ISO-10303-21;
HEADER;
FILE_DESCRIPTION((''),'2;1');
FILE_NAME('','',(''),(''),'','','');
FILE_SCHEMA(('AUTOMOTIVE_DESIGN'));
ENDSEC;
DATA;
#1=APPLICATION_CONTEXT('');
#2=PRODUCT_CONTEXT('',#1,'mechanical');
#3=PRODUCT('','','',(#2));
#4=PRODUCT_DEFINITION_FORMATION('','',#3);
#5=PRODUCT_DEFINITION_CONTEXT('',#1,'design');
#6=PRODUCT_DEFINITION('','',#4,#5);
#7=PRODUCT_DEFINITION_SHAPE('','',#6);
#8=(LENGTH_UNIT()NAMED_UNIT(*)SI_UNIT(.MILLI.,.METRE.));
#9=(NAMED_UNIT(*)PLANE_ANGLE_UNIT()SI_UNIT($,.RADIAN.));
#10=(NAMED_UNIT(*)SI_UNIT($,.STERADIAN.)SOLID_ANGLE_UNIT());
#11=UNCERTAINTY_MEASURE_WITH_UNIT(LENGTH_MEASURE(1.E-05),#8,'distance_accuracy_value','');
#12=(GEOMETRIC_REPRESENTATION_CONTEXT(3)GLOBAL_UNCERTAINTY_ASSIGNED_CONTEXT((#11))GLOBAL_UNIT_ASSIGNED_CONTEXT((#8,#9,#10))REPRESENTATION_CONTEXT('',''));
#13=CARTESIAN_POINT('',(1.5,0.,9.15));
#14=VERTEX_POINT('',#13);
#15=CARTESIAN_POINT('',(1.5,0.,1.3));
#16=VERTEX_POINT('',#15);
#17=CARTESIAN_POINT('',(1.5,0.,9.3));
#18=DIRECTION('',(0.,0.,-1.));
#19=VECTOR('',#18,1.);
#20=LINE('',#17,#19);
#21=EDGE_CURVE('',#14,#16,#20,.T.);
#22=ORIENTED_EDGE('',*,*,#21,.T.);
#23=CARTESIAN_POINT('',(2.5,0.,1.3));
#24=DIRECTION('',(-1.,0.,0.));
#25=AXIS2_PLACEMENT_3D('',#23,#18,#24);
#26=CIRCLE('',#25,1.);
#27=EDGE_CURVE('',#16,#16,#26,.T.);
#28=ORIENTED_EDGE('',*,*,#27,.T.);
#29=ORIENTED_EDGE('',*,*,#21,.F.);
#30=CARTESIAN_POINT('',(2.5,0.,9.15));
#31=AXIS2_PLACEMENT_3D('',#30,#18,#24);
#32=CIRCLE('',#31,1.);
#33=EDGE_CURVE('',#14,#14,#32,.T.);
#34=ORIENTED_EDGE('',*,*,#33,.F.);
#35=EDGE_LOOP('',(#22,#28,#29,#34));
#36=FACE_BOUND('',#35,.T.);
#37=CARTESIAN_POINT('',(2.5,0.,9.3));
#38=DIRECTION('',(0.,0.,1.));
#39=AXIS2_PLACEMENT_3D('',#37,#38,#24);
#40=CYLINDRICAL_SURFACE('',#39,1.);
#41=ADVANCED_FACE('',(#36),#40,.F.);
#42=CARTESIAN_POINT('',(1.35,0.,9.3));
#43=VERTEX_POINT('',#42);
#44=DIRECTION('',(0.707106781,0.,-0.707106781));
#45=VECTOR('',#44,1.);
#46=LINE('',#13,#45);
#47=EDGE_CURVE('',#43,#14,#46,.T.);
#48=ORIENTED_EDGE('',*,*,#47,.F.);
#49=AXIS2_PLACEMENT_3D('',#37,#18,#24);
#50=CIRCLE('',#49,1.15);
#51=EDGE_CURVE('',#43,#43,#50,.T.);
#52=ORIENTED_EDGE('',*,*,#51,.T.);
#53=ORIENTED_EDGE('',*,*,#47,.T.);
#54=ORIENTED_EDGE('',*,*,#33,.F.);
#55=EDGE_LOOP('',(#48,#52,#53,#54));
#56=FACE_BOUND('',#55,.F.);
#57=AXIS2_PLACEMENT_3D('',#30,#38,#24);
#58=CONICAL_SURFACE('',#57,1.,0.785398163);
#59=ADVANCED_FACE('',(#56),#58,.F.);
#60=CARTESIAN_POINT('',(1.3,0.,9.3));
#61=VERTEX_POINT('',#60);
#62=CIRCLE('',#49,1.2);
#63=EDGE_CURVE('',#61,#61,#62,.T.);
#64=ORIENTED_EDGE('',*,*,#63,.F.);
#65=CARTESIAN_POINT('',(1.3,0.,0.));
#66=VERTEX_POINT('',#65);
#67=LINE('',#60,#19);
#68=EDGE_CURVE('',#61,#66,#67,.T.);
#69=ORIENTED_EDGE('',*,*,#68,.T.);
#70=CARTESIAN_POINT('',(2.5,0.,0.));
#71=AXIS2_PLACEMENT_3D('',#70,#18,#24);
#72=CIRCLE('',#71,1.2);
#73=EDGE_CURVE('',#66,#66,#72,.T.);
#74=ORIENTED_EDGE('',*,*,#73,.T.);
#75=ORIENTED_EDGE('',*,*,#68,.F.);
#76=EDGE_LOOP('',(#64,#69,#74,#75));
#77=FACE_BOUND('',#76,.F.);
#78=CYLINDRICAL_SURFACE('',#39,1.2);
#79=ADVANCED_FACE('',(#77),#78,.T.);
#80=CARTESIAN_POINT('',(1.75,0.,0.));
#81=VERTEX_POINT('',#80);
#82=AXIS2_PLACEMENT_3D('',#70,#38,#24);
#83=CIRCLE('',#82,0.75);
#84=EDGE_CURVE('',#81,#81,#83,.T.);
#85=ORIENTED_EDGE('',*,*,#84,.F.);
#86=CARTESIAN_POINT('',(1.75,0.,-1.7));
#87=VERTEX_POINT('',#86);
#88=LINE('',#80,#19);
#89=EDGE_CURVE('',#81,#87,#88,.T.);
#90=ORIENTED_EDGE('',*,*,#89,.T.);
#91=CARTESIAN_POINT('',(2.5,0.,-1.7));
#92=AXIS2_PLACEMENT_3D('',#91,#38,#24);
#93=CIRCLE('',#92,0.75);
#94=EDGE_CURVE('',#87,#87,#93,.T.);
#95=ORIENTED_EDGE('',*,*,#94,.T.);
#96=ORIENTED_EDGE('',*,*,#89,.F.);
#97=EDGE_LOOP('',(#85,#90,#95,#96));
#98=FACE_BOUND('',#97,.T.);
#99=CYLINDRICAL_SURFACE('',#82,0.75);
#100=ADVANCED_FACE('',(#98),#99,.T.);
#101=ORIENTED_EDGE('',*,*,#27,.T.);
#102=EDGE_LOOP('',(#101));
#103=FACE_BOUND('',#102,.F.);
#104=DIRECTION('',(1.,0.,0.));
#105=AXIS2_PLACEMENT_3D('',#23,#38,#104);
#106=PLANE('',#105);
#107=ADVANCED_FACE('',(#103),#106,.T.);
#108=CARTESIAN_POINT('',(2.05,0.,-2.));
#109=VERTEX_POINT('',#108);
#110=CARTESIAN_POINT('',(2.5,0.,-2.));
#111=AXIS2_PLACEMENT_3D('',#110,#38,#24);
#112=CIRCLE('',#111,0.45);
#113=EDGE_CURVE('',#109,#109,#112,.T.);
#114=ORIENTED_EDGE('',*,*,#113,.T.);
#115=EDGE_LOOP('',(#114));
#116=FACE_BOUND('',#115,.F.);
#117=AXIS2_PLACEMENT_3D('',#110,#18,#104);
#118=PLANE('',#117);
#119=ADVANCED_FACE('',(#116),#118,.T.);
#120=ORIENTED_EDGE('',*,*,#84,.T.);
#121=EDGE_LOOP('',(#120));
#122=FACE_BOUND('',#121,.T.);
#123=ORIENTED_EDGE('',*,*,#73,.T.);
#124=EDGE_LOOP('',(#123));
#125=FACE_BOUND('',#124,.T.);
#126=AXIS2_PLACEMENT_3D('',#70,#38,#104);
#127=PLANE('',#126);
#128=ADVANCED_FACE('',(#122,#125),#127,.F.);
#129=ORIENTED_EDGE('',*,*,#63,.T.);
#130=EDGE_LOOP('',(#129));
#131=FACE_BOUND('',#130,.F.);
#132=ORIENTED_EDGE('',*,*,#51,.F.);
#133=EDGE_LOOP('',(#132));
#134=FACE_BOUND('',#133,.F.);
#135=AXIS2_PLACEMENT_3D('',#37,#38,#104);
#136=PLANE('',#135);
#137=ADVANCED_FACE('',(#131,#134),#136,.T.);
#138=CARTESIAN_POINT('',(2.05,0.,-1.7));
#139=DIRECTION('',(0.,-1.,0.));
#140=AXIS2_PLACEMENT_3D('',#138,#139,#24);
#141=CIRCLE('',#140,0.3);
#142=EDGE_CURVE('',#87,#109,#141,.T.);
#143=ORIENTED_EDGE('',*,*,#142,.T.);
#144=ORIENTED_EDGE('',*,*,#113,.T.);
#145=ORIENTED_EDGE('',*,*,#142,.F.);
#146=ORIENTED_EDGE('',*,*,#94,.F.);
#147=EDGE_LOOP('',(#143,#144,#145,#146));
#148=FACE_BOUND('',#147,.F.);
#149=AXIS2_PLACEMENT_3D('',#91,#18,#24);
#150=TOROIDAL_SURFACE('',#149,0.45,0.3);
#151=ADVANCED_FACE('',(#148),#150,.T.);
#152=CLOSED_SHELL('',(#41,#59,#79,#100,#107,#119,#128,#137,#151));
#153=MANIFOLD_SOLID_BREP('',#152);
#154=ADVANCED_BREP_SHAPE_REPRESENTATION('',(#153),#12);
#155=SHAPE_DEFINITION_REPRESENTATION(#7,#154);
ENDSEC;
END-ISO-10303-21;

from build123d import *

# Parameters (mm, degrees)
SKETCH011_R      = 1
EXTRUDE013_DEPTH = 8
SKETCH009_R      = 1.2
EXTRUDE012_DEPTH = 9.3
CHAMFER001_SIZE  = 0.15
SKETCH012_R      = 0.75
EXTRUDE014_DEPTH = 2
FILLET011_R      = 0.3


with BuildPart() as extrude013:
    # Sketch011 → Extrude013 (new body)
    with BuildSketch(Plane.XY.offset(9.3)):
        with Locations((-2.5, 0)):
            Circle(SKETCH011_R)
    extrude(amount=-EXTRUDE013_DEPTH)


with BuildPart() as pinfemale002:
    # Sketch009 → Extrude012 (new body)
    with BuildSketch(Plane.XY.offset(9.6)):
        with Locations((-2.5, 0)):
            Circle(SKETCH009_R)
    extrude(amount=-EXTRUDE012_DEPTH)


with BuildPart() as pinfemale002_1:
    # Extrude012 placement: moved
    add(pinfemale002.part.moved(Location((0, 0, -0.3))))

    # Cut007: cut Extrude013
    add(extrude013.part, mode=Mode.SUBTRACT)

    # Chamfer001
    chamfer001_edges = [pinfemale002_1.edges().sort_by_distance(p)[0] for p in [
        (-3.5, 0, 9.3),
    ]]
    chamfer(chamfer001_edges, length=CHAMFER001_SIZE)


with BuildPart() as pinfemale003:
    # Sketch012 → Extrude014 (new body)
    with BuildSketch(Plane(origin=(0, 0, 0), x_dir=(1, 0, 0), z_dir=(0, 0, -1))):
        with Locations((-2.5, 0)):
            Circle(SKETCH012_R)
    extrude(amount=EXTRUDE014_DEPTH)

    # Fillet011
    fillet011_edges = [pinfemale003.edges().sort_by_distance(p)[0] for p in [
        (-3.25, 0, -2),
    ]]
    fillet(fillet011_edges, radius=FILLET011_R)

    # Fusion006: union pinFemale002
    add(pinfemale002_1.part)


with BuildPart() as part_mirroring004:
    # Part__Mirroring004: instance of pinFemale003
    add(pinfemale003.part.mirror(Plane(origin=(0, 0, 0), x_dir=(0, -1, 0), z_dir=(1, 0, 0))))


solid = part_mirroring004.part
